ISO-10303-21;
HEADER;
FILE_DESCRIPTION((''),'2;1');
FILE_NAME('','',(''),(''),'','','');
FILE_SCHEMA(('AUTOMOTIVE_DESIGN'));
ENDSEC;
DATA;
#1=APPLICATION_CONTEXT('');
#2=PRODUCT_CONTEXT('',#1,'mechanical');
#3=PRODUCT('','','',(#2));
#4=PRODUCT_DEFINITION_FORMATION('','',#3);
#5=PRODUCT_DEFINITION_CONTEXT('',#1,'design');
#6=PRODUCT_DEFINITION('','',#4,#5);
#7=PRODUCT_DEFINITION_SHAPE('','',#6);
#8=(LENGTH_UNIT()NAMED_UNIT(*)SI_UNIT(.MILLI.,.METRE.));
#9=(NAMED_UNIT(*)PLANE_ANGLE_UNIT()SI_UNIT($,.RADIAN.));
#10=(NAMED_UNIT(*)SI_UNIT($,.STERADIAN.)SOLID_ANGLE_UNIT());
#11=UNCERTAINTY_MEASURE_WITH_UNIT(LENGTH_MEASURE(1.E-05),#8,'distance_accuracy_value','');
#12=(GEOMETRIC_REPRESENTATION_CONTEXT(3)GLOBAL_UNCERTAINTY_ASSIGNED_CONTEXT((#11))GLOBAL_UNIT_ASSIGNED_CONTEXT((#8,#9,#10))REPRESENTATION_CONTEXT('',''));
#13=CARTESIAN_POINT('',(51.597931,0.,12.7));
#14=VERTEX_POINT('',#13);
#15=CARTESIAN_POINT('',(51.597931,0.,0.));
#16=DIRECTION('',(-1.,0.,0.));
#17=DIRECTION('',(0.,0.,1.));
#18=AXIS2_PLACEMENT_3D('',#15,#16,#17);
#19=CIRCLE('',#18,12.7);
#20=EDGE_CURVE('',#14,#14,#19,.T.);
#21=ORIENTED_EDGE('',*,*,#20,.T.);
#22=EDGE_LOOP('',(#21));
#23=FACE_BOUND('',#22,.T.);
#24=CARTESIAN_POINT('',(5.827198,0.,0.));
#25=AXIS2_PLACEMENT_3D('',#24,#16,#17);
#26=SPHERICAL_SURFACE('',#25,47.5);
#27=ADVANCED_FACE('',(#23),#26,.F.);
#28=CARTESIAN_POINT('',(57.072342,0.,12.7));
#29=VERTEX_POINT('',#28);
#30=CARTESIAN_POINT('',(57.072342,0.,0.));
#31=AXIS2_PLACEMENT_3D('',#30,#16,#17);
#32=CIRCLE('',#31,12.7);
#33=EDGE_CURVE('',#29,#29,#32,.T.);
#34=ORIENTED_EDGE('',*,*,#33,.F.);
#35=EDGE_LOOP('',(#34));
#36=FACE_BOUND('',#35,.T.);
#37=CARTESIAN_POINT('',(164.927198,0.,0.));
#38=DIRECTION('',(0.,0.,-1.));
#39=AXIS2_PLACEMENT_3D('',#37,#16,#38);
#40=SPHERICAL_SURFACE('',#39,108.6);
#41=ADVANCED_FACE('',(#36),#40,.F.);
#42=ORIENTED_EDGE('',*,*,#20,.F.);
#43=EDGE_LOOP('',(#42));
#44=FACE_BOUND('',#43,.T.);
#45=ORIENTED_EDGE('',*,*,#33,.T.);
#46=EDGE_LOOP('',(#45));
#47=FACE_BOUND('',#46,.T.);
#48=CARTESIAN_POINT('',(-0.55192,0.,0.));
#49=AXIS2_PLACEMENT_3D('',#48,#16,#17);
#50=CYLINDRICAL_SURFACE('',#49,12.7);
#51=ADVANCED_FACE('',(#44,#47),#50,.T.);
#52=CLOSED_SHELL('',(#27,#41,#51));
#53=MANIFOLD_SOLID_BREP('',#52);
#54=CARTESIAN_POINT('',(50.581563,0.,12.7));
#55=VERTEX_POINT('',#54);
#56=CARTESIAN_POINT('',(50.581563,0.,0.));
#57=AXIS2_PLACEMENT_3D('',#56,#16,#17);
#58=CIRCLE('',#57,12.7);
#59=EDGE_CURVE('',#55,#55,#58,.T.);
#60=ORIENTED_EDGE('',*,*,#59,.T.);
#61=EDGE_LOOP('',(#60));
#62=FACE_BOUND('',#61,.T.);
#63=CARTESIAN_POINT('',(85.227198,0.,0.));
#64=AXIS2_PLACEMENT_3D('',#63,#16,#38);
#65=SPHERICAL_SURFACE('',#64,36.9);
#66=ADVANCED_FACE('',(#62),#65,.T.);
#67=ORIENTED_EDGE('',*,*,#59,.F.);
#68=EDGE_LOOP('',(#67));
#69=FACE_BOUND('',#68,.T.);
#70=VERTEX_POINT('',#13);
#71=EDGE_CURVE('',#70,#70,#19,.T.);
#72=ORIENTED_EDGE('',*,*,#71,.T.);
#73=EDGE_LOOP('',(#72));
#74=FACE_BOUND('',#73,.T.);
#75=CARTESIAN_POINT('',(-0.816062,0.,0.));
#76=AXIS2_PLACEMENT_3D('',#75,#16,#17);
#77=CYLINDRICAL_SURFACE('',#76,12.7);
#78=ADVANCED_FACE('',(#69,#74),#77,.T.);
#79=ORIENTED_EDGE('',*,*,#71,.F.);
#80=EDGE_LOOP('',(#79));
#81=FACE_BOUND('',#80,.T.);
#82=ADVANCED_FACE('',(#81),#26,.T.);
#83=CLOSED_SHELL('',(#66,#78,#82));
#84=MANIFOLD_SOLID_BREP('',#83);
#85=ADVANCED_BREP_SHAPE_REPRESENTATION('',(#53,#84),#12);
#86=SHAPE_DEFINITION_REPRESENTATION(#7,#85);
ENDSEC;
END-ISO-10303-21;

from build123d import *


with BuildPart() as part:
    # 草图1 one side → 旋转1 (revolve)
    with BuildSketch(Plane(origin=(0, 0, 0), x_dir=(1, 0, 0), z_dir=(0, 1, 0)), mode=Mode.PRIVATE) as revolve_1_sk:
        with BuildLine():
            ThreePointArc((50.581563452, 12.7), (48.895160456, 6.449266686), (48.327198098, 0))
            Line((48.327198098, 0), (53.327198098, 0))
            ThreePointArc((53.327198098, 0), (52.892895893, 6.408595094), (51.597931105, 12.7))
            Line((51.597931105, 12.7), (50.581563452, 12.7))
        make_face()
    revolve(revolve_1_sk.sketch.rotate(Axis((-0.816062176, 0, 0), (1, 0, 0)), 180), axis=Axis((-0.816062176, 0, 0), (1, 0, 0)))  # turned: the seam where the file's is


with BuildPart() as body_2:
    # 草图2 one side → 旋转2 (revolve)
    with BuildSketch(Plane(origin=(0, 0, 0), x_dir=(1, 0, 0), z_dir=(0, 1, 0)), mode=Mode.PRIVATE) as revolve_2_sk:
        with BuildLine():
            Line((57.072341925, 12.7), (51.597931105, 12.7))
            ThreePointArc((51.597931105, 12.7), (52.892895893, 6.408595094), (53.327198098, 0))
            Line((53.327198098, 0), (56.327198098, 0))
            ThreePointArc((56.327198098, 0), (56.513644101, 6.360920518), (57.072341925, 12.7))
        make_face()
    revolve(revolve_2_sk.sketch.rotate(Axis((-0.551919993, 0, 0), (1, 0, 0)), 180), axis=Axis((-0.551919993, 0, 0), (1, 0, 0)))  # turned: the seam where the file's is


solid = Compound([part.part, body_2.part])
